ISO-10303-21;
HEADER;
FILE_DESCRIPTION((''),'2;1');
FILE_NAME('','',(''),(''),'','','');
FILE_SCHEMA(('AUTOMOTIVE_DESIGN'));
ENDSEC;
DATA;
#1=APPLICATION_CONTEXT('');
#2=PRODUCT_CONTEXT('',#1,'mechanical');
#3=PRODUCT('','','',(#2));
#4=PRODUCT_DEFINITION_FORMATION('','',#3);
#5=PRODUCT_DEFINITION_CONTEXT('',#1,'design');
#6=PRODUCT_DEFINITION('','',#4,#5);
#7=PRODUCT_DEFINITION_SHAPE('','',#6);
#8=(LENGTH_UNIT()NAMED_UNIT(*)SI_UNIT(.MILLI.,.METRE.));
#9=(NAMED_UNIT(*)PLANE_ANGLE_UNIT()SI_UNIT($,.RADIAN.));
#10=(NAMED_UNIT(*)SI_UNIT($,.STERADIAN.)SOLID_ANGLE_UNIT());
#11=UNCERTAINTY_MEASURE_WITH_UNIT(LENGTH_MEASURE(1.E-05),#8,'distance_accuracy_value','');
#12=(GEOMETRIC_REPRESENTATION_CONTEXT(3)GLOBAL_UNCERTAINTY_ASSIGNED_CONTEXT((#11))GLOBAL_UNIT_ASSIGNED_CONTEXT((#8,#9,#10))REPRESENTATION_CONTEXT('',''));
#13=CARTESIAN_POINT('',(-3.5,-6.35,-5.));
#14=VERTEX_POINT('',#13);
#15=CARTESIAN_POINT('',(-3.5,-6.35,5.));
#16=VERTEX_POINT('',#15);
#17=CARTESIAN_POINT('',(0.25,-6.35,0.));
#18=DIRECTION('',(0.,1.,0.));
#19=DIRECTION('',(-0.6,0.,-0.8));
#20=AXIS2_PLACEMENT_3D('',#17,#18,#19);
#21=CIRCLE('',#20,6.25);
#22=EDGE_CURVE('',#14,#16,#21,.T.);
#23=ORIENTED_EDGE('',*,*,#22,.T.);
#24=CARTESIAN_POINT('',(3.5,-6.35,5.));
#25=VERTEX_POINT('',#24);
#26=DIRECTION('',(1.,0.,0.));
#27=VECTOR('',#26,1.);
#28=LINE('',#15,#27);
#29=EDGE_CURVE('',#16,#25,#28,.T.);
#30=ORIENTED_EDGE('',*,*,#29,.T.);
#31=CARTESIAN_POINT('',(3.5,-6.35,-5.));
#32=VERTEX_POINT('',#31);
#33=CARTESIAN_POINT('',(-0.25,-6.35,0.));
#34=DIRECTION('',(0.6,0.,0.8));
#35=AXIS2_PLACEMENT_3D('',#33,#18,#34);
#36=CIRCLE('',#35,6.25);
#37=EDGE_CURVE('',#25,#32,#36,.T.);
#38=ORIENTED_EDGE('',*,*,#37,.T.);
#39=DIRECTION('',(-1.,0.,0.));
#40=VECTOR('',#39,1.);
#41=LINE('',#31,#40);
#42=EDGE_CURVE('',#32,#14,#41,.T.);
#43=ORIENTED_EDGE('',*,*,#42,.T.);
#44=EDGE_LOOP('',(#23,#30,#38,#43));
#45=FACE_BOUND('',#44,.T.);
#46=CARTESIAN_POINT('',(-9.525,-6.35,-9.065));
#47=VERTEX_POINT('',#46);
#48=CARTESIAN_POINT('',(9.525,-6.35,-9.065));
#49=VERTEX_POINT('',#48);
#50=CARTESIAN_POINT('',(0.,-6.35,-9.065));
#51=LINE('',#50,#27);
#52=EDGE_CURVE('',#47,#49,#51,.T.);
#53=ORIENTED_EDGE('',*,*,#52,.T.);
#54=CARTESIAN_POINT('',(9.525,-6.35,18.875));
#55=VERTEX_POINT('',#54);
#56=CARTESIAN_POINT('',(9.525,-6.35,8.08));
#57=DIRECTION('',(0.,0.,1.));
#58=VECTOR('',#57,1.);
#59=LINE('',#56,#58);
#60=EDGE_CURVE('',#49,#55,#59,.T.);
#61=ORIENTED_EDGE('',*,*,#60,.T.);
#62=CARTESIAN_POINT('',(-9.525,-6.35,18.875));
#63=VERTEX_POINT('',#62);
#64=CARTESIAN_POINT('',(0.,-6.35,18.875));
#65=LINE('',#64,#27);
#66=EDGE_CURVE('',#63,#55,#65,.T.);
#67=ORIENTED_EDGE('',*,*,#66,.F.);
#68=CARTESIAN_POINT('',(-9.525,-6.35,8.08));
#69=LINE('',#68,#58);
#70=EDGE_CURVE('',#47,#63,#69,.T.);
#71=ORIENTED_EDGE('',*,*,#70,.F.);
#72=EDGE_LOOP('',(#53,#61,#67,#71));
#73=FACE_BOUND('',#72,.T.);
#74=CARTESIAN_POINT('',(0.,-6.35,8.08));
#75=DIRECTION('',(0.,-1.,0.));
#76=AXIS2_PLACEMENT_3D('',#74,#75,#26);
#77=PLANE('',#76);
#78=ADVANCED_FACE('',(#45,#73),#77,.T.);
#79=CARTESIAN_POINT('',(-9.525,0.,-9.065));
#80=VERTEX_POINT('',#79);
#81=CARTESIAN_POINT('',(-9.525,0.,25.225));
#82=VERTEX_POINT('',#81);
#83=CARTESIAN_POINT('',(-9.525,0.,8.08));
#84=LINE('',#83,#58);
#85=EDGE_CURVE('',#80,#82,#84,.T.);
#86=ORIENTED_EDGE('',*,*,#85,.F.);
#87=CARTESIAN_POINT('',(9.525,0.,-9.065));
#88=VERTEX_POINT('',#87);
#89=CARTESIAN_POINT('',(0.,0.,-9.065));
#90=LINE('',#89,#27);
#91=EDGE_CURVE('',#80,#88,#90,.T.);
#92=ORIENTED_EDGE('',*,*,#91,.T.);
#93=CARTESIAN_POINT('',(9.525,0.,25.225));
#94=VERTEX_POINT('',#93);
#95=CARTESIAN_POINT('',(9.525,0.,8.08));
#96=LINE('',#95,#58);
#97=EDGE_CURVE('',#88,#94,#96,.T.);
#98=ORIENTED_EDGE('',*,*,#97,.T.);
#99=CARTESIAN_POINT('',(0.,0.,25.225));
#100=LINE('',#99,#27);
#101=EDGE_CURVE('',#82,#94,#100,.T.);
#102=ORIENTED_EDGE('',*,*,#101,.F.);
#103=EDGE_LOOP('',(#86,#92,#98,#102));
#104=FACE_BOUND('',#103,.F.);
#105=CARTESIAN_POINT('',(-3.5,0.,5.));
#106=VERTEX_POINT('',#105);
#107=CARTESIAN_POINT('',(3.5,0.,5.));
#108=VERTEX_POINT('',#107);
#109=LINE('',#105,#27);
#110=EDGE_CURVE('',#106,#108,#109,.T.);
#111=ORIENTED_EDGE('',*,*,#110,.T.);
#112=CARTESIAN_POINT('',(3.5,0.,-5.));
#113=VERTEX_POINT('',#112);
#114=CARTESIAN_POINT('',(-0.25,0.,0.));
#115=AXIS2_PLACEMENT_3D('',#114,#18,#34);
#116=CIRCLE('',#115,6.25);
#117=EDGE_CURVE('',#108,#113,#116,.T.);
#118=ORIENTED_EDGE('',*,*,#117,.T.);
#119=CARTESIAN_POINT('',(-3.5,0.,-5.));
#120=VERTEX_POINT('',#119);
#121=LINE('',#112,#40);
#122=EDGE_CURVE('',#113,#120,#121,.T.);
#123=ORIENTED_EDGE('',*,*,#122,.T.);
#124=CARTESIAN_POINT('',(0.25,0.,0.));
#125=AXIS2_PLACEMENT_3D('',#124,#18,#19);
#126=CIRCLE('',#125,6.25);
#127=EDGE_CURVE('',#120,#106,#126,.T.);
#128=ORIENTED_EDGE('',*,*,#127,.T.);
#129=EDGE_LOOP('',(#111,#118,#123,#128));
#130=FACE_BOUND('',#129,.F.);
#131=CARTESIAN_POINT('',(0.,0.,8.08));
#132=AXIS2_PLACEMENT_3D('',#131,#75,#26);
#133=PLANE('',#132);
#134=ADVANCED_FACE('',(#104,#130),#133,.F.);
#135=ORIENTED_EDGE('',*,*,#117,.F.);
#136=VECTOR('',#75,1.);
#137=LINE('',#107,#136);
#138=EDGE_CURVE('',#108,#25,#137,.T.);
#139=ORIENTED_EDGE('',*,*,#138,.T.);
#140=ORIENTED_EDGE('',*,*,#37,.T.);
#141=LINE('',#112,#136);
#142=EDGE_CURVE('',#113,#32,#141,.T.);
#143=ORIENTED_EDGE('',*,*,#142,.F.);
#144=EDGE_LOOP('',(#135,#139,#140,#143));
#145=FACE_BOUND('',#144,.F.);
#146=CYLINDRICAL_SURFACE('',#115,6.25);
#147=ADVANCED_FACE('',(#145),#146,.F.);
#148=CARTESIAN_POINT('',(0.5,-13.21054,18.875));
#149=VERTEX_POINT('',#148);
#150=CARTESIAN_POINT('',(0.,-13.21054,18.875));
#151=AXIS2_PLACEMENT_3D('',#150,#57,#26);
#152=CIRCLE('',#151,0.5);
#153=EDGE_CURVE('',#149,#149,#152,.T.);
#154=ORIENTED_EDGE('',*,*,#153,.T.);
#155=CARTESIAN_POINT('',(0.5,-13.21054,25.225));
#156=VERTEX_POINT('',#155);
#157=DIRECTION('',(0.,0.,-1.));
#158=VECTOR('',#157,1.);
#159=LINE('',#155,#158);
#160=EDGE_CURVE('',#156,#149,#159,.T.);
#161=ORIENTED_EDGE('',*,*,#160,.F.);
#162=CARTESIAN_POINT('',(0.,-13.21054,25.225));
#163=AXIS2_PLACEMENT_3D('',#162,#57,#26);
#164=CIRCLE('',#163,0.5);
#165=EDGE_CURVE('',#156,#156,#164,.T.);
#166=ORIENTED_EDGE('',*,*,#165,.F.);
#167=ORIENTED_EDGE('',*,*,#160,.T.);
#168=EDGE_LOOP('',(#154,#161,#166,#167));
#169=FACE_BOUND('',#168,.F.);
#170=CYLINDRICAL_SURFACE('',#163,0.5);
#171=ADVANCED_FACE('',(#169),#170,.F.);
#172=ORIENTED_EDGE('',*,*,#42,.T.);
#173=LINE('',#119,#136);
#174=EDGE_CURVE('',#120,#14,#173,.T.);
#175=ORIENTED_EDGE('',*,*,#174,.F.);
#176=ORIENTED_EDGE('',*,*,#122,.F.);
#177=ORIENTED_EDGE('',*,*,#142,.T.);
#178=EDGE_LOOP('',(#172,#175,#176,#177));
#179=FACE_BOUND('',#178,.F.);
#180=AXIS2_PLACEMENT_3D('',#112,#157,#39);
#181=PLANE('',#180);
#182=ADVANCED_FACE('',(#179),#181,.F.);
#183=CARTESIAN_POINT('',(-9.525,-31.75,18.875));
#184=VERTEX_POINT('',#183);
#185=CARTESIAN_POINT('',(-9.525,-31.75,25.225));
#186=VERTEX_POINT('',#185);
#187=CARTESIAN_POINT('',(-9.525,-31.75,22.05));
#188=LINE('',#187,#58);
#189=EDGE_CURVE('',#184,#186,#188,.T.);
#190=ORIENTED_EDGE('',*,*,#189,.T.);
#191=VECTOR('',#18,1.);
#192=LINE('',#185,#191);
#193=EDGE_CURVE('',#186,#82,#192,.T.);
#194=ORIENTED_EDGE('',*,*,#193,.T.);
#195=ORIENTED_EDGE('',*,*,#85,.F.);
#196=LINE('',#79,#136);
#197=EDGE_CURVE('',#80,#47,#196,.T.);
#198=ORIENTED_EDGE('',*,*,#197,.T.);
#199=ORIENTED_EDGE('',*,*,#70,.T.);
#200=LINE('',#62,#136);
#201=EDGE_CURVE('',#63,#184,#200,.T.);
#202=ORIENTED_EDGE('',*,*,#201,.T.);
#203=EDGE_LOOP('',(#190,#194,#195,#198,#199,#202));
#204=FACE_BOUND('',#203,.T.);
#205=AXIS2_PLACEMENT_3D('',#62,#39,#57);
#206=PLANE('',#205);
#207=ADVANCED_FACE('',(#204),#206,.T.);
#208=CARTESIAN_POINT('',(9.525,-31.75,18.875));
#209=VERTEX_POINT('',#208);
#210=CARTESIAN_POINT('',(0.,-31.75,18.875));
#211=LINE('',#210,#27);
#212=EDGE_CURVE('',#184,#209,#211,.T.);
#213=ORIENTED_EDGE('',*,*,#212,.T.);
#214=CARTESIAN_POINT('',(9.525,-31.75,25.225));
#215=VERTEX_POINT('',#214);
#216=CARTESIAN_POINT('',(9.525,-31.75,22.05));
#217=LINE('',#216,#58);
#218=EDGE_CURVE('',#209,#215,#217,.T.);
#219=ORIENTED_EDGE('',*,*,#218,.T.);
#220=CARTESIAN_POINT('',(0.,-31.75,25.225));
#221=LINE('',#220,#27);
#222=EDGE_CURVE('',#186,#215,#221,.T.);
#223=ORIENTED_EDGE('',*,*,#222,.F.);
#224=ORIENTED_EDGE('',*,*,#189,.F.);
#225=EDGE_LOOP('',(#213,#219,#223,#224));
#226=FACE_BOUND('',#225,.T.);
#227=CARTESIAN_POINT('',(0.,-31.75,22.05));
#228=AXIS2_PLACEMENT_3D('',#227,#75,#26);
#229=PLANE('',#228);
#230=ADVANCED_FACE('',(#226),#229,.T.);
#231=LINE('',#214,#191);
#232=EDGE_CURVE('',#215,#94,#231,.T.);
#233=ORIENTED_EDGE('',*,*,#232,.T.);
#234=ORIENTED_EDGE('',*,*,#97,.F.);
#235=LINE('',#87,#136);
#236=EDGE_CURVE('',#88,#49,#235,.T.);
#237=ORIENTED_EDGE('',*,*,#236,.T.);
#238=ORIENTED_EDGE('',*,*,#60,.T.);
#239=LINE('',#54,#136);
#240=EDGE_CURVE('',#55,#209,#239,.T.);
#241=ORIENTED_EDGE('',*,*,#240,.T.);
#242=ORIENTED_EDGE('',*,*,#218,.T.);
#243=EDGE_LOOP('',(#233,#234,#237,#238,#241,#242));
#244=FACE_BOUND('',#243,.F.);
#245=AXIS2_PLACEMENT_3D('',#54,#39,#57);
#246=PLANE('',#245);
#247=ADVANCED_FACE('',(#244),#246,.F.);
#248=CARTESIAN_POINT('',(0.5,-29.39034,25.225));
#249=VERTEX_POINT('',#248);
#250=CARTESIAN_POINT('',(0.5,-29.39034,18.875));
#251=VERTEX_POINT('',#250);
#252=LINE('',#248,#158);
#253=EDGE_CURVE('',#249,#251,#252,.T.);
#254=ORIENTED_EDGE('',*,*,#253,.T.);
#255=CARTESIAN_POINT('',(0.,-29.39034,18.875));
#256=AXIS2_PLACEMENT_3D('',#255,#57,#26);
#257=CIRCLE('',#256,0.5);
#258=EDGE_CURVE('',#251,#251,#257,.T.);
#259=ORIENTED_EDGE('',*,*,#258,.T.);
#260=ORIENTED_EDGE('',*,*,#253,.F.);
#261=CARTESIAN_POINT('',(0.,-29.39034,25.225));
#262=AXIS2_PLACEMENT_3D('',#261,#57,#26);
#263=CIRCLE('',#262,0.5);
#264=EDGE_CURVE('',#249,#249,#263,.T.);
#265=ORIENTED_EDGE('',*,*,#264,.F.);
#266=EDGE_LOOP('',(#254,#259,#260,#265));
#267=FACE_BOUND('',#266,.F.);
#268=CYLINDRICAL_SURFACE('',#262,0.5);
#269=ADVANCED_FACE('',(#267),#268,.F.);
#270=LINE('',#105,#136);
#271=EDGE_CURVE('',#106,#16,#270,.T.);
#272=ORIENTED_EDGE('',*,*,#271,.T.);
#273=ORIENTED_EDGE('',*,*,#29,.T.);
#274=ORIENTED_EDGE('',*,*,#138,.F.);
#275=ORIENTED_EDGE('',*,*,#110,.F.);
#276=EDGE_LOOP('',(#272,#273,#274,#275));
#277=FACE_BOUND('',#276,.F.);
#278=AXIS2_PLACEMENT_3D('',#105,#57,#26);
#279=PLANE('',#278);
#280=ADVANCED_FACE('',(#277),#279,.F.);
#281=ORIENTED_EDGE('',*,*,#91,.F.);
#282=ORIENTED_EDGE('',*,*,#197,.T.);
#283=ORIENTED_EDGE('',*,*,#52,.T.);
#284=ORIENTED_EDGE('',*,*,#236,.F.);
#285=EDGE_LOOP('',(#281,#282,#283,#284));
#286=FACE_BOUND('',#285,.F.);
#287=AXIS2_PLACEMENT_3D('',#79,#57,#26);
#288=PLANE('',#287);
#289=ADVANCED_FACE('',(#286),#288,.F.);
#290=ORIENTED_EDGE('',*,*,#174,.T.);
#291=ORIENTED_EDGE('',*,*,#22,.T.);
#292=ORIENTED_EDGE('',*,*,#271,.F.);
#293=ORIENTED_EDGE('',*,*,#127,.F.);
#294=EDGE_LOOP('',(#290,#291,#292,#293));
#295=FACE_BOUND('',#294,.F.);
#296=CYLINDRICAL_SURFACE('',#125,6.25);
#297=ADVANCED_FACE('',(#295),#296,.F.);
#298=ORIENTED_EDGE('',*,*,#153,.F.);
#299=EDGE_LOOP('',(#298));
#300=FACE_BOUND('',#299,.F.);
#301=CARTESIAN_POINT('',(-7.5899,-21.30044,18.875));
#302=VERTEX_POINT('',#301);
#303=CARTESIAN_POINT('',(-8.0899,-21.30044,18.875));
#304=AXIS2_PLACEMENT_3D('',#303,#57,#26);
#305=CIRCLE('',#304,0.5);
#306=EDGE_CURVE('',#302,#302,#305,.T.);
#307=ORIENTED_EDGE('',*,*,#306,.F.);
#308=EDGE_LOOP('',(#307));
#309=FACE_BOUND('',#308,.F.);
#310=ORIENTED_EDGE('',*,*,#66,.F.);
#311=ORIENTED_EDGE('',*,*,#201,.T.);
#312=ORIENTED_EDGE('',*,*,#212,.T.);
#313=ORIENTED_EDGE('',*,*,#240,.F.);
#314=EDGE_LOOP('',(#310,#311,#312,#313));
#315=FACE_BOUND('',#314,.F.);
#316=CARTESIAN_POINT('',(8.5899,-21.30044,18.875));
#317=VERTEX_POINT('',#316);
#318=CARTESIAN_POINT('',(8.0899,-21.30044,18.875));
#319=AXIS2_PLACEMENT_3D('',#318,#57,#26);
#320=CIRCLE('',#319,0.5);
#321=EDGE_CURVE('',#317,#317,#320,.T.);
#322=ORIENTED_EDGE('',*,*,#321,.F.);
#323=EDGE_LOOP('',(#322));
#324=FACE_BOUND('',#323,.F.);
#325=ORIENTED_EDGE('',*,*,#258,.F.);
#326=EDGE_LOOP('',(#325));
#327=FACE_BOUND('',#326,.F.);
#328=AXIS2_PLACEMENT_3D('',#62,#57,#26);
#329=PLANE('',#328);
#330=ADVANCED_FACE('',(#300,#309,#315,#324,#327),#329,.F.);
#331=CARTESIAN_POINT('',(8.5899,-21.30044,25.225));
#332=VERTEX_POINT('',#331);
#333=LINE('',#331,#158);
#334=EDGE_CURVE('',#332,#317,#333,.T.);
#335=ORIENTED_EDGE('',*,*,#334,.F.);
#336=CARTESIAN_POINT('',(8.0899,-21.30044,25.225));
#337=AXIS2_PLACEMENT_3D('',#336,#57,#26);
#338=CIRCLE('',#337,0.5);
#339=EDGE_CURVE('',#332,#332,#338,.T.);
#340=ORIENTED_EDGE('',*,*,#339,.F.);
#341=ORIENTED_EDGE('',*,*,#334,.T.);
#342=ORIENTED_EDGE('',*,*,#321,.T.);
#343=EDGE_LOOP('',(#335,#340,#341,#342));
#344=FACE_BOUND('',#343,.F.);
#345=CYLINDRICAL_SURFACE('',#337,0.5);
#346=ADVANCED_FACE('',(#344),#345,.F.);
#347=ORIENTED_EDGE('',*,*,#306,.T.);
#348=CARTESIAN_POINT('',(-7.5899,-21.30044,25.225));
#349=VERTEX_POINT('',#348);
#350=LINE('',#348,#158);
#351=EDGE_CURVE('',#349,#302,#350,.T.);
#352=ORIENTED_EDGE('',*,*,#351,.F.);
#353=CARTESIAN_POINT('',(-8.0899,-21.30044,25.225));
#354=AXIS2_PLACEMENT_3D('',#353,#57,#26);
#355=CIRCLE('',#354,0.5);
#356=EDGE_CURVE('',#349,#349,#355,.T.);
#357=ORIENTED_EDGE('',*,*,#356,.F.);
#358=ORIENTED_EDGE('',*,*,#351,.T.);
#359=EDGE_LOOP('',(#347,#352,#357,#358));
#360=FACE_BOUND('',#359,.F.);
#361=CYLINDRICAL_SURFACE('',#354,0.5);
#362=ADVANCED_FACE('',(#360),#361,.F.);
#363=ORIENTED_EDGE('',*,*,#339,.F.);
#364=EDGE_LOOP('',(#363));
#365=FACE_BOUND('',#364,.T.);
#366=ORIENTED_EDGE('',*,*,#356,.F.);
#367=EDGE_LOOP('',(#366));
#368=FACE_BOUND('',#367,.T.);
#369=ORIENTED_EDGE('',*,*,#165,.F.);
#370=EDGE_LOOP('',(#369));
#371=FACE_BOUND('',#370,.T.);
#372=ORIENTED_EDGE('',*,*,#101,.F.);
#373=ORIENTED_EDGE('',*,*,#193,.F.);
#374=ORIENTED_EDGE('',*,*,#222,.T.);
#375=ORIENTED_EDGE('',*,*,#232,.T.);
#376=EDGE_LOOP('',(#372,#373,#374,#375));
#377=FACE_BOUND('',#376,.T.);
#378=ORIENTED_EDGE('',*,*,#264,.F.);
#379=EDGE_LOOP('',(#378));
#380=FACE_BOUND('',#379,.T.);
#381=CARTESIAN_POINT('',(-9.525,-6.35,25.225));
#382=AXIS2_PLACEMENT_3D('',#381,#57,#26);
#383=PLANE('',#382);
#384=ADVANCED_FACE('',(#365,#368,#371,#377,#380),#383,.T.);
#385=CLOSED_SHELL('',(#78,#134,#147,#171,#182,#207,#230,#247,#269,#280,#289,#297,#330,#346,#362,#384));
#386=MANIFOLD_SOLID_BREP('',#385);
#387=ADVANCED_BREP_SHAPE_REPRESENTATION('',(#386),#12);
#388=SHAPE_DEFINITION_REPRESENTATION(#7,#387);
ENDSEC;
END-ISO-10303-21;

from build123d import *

# Parameters (mm, degrees)
F0_W     = 19.05
F0_H     = 34.29
F1_DEPTH = 6.35
F2_W     = 19.05
F2_H     = 6.35
F3_DEPTH = 25.4
F4_R     = 0.5
F5_DEPTH = 6.35


with BuildPart() as f1:
    # F0 (on Front) → F1 (new body)
    with BuildSketch(Plane.XZ):
        with Locations((0, 8.08)):
            Rectangle(F0_W, F0_H)
        with BuildLine():
            ThreePointArc((-3.5, -5), (-6, 0), (-3.5, 5))
            Line((-3.5, 5), (3.5, 5))
            ThreePointArc((3.5, 5), (6, 0), (3.5, -5))
            Line((3.5, -5), (-3.5, -5))
        make_face(mode=Mode.SUBTRACT)
    extrude(amount=F1_DEPTH)

    # F2 (on face) → F3 (join)
    with BuildSketch(Plane.XZ.offset(6.35)):
        with Locations((0, 22.05)):
            Rectangle(F2_W, F2_H)
    extrude(amount=F3_DEPTH)

    # F4 (on face) → F5 (cut, through all)
    with BuildSketch(Plane.XY.offset(25.225)):
        with Locations((-8.0899, -21.30044)):
            Circle(F4_R)
        with Locations((0, -29.39034)):
            Circle(F4_R)
        with Locations((8.0899, -21.30044)):
            Circle(F4_R)
        with Locations((0, -13.21054)):
            Circle(F4_R)
    extrude(amount=-F5_DEPTH, mode=Mode.SUBTRACT)


solid = f1.part
